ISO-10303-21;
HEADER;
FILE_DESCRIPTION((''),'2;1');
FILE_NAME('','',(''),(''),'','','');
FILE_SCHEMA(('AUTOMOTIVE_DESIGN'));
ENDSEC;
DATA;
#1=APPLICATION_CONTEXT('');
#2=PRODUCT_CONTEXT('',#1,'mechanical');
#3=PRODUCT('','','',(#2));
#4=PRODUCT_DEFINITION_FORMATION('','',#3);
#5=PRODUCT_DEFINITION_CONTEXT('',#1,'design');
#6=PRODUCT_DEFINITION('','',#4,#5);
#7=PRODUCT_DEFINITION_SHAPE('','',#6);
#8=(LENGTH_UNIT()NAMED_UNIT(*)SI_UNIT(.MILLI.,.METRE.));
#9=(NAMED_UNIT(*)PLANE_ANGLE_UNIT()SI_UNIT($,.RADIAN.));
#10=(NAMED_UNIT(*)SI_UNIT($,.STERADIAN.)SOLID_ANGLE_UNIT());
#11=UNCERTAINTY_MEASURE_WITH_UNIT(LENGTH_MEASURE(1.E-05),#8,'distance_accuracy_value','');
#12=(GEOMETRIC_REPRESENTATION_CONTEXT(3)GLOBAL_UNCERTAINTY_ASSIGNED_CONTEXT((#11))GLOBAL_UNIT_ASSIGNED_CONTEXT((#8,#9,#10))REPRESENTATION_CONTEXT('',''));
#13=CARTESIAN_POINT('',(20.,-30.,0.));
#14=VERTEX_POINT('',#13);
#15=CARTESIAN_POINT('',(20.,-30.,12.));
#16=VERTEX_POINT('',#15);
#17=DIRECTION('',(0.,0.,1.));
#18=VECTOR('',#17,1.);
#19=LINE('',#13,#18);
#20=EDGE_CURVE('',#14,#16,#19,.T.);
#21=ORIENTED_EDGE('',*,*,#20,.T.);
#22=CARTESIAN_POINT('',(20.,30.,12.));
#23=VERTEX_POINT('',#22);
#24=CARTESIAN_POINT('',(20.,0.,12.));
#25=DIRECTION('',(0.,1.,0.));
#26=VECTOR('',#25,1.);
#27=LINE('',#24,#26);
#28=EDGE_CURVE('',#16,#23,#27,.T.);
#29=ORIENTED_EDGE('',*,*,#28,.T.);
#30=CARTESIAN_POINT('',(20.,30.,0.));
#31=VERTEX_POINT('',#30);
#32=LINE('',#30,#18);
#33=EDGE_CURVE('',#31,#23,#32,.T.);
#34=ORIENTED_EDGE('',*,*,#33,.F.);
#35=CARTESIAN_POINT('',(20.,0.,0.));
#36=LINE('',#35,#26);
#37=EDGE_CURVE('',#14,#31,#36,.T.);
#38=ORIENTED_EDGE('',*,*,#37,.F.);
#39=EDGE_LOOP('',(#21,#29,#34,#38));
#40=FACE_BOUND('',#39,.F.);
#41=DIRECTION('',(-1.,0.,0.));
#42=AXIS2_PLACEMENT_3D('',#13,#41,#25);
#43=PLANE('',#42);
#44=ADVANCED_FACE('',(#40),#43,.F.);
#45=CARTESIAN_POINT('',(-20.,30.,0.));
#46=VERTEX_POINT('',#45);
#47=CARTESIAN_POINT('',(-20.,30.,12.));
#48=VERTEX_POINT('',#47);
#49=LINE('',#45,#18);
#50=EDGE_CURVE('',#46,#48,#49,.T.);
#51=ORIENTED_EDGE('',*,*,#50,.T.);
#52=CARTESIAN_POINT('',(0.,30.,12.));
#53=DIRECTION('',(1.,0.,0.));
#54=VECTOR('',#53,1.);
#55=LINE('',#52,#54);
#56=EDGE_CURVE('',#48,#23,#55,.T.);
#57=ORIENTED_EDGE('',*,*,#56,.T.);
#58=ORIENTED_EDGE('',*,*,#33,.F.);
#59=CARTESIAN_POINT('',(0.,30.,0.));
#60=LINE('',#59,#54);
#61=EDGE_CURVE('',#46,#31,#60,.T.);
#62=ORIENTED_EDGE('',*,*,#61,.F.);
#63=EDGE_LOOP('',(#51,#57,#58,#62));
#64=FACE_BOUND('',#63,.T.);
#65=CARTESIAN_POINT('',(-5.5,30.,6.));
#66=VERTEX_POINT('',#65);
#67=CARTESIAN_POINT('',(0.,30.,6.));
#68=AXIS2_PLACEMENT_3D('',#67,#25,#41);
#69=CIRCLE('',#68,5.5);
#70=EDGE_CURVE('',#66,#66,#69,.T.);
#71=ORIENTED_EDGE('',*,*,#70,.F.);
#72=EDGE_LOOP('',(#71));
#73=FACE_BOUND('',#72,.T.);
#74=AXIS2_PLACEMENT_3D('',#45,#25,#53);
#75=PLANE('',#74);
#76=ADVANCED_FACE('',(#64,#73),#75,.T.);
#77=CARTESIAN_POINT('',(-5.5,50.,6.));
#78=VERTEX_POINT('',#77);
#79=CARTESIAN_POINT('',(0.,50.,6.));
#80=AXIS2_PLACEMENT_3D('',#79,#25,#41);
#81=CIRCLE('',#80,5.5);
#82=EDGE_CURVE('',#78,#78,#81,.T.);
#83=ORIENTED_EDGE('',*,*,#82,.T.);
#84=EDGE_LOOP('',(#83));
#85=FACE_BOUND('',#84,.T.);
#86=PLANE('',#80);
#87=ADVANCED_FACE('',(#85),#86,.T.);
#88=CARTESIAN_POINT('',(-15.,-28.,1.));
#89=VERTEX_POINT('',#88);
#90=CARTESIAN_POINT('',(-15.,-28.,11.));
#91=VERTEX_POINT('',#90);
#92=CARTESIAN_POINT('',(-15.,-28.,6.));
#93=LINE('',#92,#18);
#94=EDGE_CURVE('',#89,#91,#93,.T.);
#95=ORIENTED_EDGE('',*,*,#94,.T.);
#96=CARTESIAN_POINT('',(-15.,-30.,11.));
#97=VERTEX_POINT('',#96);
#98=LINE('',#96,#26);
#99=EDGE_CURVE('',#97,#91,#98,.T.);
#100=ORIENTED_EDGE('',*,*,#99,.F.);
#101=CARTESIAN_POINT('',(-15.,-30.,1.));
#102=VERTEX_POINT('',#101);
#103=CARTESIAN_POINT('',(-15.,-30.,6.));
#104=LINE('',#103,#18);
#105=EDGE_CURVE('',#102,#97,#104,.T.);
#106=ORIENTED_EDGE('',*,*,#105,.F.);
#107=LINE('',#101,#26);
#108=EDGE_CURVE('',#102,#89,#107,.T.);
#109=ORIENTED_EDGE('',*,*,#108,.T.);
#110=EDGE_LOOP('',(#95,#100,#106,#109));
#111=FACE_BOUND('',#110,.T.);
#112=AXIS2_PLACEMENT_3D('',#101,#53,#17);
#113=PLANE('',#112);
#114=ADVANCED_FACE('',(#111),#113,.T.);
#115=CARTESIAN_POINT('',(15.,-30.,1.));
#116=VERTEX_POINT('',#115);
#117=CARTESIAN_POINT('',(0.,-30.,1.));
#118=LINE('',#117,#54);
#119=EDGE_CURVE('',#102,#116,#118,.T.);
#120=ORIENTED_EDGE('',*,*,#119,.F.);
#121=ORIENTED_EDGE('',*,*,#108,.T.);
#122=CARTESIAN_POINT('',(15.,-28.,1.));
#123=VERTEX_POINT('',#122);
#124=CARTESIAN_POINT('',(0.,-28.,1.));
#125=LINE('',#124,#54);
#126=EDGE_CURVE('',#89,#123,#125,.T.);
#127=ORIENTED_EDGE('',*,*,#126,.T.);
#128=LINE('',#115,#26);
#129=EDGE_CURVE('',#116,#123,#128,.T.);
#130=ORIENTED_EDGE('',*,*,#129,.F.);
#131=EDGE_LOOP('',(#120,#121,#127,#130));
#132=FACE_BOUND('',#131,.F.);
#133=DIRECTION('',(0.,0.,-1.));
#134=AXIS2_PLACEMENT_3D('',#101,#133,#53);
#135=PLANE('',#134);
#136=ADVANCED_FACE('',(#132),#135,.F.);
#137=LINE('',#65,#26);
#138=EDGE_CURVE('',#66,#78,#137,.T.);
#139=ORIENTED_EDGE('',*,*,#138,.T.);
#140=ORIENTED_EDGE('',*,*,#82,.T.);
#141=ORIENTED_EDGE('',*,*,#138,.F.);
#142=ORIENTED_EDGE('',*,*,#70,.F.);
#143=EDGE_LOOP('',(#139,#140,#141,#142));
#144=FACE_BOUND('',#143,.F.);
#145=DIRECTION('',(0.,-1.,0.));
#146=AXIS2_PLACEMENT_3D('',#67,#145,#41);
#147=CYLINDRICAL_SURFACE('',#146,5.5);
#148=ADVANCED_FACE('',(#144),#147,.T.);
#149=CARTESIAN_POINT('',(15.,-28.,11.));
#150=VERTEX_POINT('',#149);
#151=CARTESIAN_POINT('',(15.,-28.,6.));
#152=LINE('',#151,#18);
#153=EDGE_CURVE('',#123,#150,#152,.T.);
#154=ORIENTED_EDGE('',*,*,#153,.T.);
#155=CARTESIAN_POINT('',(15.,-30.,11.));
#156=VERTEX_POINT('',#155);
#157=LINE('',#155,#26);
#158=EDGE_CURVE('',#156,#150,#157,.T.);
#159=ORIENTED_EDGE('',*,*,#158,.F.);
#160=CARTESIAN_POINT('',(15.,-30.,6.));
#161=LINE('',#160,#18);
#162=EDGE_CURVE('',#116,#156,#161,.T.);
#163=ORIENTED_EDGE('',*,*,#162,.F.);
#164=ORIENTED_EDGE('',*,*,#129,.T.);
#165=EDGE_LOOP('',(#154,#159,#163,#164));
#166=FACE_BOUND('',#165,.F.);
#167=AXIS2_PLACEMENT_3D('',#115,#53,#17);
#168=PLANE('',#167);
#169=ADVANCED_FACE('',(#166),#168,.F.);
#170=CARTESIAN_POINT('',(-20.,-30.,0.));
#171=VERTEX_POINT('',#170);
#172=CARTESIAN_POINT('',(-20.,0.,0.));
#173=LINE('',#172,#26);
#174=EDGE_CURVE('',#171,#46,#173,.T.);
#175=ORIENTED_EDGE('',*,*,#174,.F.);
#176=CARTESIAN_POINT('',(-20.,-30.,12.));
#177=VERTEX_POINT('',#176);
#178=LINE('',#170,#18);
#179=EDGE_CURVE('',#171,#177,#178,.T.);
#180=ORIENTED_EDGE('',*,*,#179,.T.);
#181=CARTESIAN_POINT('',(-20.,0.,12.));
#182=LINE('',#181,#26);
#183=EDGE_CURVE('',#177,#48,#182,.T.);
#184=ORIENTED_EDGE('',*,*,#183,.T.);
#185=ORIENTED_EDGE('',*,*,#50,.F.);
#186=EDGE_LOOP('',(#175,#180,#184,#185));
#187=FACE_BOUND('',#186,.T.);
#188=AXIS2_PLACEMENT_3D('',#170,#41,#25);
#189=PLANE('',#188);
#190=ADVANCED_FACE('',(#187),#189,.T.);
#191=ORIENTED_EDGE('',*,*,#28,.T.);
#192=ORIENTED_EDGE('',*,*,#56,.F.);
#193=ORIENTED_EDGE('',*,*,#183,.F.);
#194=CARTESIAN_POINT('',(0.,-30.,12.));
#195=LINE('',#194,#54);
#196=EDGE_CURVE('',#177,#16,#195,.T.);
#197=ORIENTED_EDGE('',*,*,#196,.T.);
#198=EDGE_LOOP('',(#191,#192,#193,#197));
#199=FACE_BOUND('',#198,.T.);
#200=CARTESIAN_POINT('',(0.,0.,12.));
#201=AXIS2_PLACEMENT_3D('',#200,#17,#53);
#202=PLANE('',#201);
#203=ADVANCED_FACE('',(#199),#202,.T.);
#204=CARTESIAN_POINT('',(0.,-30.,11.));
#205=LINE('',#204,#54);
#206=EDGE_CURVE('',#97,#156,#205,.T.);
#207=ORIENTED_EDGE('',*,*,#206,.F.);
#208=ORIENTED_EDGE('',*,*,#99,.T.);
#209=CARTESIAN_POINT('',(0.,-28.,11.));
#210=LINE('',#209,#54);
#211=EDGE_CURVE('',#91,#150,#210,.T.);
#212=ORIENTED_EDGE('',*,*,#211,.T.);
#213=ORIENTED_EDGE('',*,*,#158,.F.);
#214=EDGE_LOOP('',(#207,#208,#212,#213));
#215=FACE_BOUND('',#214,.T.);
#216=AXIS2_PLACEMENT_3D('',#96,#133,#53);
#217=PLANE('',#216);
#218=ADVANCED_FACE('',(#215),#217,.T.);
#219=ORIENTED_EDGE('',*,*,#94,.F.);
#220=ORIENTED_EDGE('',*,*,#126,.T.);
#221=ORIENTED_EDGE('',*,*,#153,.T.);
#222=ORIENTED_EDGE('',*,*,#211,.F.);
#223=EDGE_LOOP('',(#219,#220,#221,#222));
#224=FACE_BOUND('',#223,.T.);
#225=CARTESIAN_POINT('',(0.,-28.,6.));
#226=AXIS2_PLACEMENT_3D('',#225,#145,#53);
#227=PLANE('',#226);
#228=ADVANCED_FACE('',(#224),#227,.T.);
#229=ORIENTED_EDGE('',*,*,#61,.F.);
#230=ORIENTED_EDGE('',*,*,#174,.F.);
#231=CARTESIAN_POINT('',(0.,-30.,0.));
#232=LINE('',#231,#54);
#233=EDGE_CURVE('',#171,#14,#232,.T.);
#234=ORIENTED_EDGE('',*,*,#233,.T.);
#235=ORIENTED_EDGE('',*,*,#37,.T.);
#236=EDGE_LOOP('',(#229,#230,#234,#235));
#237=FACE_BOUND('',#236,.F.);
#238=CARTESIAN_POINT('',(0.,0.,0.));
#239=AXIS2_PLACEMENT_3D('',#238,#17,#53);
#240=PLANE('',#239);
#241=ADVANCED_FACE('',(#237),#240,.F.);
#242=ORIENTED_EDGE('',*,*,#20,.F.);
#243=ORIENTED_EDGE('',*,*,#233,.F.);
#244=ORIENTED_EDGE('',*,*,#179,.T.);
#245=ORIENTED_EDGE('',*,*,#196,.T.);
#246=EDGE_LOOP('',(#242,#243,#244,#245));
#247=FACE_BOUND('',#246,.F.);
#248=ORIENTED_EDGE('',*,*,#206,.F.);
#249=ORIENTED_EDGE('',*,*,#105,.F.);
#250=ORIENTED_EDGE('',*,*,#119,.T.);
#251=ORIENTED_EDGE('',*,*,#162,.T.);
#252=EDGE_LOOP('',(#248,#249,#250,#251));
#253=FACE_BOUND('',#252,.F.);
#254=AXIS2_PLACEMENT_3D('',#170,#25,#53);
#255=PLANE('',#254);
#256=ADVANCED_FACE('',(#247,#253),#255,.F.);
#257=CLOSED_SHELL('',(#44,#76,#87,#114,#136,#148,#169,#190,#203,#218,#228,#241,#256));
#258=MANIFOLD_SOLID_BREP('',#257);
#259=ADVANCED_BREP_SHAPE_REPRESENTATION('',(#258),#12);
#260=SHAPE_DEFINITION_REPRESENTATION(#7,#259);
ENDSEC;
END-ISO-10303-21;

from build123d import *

# Parameters (mm, degrees)
F0_W     = 40
F0_H     = 60
F1_DEPTH = 12
F2_W     = 30
F2_H     = 10
F3_DEPTH = 2
F4_R     = 5.5
F5_DEPTH = 20


with BuildPart() as f1:
    # F0 (on Top) → F1 (new body)
    with BuildSketch(Plane.XY):
        Rectangle(F0_W, F0_H)
    extrude(amount=F1_DEPTH)

    # F2 (on face) → F3 (cut)
    with BuildSketch(Plane.XZ.offset(30)):
        with Locations((0, 6)):
            Rectangle(F2_W, F2_H)
    extrude(amount=-F3_DEPTH, mode=Mode.SUBTRACT)

    # F4 (on face) → F5 (join)
    with BuildSketch(Plane(origin=(0, 30, 0), x_dir=(-1, 0, 0), z_dir=(0, 1, 0))):
        with Locations((0, 6)):
            Circle(F4_R)
    extrude(amount=F5_DEPTH)


solid = f1.part
